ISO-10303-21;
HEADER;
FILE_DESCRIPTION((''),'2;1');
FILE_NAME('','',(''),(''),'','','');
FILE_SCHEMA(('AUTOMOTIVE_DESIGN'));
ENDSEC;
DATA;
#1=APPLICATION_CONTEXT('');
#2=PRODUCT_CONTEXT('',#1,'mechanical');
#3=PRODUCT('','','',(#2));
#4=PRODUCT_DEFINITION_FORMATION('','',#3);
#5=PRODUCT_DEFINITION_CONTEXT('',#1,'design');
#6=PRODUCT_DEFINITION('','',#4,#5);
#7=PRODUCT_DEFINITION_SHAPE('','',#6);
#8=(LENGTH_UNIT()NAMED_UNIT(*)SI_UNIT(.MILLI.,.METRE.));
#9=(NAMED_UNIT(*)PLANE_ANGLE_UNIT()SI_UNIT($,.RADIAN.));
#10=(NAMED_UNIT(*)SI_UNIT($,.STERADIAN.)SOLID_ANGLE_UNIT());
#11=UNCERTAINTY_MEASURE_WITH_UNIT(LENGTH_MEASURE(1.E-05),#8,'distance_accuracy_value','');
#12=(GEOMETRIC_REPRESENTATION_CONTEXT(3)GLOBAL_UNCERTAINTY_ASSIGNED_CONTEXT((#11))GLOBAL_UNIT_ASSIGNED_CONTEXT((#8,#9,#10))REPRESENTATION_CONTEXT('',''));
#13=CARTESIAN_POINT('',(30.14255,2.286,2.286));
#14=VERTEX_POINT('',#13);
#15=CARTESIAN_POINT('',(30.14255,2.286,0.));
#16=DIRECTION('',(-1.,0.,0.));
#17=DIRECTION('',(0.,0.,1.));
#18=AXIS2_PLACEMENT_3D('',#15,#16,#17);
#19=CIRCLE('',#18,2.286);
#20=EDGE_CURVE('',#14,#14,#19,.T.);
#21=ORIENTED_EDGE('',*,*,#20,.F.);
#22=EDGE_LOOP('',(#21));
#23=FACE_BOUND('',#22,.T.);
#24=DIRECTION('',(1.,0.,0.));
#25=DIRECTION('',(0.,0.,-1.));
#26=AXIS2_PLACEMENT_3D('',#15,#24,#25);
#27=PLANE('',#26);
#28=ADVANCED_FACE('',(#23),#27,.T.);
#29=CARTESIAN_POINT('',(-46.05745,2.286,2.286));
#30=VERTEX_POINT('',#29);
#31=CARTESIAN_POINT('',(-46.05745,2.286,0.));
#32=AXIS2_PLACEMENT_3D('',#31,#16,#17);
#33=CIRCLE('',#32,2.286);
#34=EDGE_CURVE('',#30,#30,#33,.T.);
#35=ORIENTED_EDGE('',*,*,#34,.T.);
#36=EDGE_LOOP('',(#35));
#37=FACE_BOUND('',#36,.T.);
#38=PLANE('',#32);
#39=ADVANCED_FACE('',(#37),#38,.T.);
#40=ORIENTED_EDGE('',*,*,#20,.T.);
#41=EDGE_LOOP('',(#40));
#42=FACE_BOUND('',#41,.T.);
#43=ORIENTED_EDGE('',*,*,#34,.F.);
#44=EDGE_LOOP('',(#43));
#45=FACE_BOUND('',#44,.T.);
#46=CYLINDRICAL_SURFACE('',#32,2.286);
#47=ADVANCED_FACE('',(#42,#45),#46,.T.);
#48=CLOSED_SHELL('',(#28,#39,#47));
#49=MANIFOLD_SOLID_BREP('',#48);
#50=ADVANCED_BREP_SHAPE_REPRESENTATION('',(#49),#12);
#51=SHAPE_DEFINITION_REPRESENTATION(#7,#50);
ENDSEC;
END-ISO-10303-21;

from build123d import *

# Parameters (mm, degrees)
SKETCH1_W = 76.2
SKETCH1_H = 2.286


with BuildPart() as part:
    # Sketch1 → Revolve1 (revolve)
    with BuildSketch(Plane.XY, mode=Mode.PRIVATE) as revolve1_sk:
        with Locations((-7.957450389, 1.143)):
            Rectangle(SKETCH1_W, SKETCH1_H)
    revolve(revolve1_sk.sketch.rotate(Axis((-46.057450389, 2.286, 0), (1, 0, 0)), 270), axis=Axis((-46.057450389, 2.286, 0), (1, 0, 0)))


solid = part.part
